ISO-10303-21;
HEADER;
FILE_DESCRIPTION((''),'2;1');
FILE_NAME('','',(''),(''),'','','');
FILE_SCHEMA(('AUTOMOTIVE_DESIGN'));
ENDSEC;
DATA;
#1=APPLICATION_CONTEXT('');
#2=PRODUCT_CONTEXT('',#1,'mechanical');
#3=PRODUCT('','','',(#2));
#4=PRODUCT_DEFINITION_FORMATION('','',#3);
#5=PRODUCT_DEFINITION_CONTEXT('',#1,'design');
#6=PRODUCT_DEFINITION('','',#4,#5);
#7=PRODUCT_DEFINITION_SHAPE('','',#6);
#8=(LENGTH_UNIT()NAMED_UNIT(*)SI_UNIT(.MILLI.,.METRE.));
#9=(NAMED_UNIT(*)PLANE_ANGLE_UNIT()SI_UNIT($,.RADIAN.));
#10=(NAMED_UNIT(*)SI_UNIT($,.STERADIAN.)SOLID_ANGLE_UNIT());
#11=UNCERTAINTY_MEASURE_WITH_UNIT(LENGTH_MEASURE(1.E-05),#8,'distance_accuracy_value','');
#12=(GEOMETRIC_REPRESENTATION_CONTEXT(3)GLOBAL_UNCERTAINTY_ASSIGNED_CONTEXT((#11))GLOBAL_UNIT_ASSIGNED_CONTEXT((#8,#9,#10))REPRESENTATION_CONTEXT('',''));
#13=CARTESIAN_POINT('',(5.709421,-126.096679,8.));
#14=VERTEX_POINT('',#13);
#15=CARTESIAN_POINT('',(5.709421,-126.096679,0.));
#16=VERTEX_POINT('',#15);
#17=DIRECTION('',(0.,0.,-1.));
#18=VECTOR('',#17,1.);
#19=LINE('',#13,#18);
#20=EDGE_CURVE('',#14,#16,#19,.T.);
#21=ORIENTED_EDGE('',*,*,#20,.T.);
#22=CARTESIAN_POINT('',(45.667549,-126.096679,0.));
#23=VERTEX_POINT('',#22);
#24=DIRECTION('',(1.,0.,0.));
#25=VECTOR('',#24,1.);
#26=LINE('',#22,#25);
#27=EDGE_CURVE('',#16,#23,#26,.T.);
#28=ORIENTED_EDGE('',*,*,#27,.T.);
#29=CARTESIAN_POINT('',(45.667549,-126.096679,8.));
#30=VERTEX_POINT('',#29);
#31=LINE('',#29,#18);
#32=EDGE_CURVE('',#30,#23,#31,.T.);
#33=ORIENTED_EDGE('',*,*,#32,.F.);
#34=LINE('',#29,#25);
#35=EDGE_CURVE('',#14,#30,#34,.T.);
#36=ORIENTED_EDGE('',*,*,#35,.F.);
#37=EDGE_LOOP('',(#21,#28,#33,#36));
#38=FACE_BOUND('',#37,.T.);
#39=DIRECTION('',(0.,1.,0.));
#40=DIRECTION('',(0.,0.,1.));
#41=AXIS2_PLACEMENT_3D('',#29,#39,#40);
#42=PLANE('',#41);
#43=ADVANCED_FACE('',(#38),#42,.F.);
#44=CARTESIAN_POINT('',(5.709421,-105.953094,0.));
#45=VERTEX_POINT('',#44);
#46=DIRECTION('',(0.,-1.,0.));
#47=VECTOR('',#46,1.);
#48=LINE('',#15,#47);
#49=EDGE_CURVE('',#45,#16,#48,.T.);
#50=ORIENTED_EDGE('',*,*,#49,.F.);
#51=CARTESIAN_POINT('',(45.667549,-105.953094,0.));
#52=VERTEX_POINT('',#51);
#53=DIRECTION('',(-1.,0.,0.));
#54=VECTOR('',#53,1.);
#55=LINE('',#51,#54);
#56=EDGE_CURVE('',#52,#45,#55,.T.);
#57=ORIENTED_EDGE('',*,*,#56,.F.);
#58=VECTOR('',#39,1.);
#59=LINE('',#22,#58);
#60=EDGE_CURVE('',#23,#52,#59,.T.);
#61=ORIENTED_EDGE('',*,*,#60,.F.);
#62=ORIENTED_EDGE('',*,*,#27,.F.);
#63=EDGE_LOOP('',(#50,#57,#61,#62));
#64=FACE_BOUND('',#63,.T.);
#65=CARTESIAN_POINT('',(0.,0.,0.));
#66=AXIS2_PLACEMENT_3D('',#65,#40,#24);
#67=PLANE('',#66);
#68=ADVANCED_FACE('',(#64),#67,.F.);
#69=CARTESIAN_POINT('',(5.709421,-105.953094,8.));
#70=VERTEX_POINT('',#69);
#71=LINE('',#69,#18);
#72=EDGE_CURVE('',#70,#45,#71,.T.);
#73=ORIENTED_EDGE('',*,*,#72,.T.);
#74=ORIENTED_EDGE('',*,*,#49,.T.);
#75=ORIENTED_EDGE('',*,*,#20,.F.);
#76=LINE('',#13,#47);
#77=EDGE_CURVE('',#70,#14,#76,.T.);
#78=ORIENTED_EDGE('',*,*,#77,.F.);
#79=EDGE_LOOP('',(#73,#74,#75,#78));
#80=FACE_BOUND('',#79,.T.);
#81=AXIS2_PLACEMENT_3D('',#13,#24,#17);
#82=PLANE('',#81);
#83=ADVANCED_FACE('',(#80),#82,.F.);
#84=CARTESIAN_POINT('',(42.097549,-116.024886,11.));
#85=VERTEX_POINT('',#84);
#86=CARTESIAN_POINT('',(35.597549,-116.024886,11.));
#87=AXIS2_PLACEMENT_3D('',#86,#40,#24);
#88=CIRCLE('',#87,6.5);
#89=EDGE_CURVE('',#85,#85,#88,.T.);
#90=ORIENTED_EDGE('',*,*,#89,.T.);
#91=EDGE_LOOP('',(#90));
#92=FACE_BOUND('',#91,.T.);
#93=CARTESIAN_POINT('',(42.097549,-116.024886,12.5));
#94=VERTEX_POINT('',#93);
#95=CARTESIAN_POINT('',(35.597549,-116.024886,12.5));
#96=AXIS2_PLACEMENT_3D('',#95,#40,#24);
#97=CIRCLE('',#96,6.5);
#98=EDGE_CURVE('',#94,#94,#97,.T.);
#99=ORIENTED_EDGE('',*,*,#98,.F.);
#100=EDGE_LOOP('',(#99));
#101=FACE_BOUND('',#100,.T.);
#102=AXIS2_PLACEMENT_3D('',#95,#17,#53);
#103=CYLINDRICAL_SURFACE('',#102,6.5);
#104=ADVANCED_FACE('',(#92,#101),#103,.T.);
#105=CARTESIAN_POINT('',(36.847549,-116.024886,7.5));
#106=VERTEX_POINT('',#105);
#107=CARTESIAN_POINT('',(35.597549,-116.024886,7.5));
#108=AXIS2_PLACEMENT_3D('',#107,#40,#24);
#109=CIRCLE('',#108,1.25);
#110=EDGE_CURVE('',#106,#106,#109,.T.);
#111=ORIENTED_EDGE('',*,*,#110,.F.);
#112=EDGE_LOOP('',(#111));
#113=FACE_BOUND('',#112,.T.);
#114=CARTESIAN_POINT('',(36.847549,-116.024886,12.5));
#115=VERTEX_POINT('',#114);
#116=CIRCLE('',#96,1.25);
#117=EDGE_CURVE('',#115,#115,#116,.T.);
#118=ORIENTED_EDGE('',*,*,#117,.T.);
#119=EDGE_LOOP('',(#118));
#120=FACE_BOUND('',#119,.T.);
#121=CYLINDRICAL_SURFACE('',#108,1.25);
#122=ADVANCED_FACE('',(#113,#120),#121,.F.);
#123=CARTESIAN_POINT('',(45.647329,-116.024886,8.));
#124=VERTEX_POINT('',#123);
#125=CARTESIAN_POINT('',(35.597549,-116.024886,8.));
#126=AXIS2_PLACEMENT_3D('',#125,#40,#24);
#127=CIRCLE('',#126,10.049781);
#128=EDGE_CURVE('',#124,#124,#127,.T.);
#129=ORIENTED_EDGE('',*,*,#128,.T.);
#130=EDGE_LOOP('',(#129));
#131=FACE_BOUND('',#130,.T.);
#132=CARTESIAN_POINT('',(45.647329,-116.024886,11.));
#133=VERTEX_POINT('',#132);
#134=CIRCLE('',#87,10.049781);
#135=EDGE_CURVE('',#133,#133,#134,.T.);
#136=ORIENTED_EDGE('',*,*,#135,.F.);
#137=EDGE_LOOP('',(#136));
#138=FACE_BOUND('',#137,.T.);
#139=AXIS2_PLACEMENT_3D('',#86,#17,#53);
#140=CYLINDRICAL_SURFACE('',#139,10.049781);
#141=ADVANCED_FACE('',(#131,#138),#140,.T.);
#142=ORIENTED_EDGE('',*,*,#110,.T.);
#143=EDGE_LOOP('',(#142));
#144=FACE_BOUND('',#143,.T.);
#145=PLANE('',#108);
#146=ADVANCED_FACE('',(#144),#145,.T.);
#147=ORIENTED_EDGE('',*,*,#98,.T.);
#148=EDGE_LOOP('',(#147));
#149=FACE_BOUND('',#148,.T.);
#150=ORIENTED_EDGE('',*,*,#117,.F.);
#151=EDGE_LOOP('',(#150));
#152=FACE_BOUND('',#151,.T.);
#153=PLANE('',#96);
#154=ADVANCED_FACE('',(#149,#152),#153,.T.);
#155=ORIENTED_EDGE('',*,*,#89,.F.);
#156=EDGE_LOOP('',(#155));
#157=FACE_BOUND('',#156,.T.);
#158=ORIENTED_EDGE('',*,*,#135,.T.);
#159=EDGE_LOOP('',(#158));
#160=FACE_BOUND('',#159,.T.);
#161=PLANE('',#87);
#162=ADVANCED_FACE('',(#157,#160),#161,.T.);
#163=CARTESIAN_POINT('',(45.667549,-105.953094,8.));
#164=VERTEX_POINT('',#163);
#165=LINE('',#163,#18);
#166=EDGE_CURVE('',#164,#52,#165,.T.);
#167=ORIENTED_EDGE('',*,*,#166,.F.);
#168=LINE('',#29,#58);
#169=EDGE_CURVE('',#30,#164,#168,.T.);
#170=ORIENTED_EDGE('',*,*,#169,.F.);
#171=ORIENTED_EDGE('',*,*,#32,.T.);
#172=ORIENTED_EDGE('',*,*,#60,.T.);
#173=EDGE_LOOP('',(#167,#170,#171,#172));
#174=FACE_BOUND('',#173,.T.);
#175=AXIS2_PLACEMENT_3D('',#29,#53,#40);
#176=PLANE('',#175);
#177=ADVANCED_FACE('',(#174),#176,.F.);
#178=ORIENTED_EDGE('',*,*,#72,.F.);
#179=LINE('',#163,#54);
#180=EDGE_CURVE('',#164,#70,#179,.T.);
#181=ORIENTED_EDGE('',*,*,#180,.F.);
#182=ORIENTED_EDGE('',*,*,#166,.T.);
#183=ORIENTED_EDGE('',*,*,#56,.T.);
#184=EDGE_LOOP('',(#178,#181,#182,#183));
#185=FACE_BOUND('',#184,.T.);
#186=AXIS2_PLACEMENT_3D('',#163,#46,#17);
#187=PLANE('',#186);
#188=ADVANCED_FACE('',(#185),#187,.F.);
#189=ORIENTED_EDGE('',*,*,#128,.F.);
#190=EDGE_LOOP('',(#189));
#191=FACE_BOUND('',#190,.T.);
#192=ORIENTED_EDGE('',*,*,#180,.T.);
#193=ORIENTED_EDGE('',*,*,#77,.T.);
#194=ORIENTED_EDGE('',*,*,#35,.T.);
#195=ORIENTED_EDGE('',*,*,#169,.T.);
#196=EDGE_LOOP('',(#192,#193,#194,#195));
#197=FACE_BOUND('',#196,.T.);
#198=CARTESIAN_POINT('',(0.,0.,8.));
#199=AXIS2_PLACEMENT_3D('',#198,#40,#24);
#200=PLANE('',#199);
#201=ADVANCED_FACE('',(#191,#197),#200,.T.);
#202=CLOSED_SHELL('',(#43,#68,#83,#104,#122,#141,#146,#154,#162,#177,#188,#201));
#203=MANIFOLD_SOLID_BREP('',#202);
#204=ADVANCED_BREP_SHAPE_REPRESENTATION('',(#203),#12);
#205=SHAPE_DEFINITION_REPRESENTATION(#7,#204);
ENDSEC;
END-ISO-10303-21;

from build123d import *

# Parameters (mm, degrees)
SKETCH1_W           = 39.958127878
SKETCH1_H           = 20.143584626
BOSS_EXTRUDE1_DEPTH = 8
SKETCH2_R           = 10.049780621
BOSS_EXTRUDE2_DEPTH = 3
SKETCH3_R           = 6.5
BOSS_EXTRUDE3_DEPTH = 1.5
SKETCH4_R           = 1.25
CUT_EXTRUDE1_DEPTH  = 5


with BuildPart() as part:
    # Sketch1 → Boss-Extrude1 (new body)
    with BuildSketch(Plane.XY):
        with Locations((25.688484617, -116.024886289)):
            Rectangle(SKETCH1_W, SKETCH1_H)
    extrude(amount=BOSS_EXTRUDE1_DEPTH)

    # Sketch2 → Boss-Extrude2 (add)
    with BuildSketch(Plane.XY.offset(8)):
        with Locations((35.597548556, -116.024886289)):
            Circle(SKETCH2_R)
    extrude(amount=BOSS_EXTRUDE2_DEPTH)

    # Sketch3 → Boss-Extrude3 (add)
    with BuildSketch(Plane.XY.offset(11)):
        with Locations((35.597548556, -116.024886289)):
            Circle(SKETCH3_R)
    extrude(amount=BOSS_EXTRUDE3_DEPTH)

    # Sketch4 → Cut-Extrude1 (cut)
    with BuildSketch(Plane.XY.offset(12.5)):
        with Locations((35.597548556, -116.024886289)):
            Circle(SKETCH4_R)
    extrude(amount=-CUT_EXTRUDE1_DEPTH, mode=Mode.SUBTRACT)


solid = part.part
